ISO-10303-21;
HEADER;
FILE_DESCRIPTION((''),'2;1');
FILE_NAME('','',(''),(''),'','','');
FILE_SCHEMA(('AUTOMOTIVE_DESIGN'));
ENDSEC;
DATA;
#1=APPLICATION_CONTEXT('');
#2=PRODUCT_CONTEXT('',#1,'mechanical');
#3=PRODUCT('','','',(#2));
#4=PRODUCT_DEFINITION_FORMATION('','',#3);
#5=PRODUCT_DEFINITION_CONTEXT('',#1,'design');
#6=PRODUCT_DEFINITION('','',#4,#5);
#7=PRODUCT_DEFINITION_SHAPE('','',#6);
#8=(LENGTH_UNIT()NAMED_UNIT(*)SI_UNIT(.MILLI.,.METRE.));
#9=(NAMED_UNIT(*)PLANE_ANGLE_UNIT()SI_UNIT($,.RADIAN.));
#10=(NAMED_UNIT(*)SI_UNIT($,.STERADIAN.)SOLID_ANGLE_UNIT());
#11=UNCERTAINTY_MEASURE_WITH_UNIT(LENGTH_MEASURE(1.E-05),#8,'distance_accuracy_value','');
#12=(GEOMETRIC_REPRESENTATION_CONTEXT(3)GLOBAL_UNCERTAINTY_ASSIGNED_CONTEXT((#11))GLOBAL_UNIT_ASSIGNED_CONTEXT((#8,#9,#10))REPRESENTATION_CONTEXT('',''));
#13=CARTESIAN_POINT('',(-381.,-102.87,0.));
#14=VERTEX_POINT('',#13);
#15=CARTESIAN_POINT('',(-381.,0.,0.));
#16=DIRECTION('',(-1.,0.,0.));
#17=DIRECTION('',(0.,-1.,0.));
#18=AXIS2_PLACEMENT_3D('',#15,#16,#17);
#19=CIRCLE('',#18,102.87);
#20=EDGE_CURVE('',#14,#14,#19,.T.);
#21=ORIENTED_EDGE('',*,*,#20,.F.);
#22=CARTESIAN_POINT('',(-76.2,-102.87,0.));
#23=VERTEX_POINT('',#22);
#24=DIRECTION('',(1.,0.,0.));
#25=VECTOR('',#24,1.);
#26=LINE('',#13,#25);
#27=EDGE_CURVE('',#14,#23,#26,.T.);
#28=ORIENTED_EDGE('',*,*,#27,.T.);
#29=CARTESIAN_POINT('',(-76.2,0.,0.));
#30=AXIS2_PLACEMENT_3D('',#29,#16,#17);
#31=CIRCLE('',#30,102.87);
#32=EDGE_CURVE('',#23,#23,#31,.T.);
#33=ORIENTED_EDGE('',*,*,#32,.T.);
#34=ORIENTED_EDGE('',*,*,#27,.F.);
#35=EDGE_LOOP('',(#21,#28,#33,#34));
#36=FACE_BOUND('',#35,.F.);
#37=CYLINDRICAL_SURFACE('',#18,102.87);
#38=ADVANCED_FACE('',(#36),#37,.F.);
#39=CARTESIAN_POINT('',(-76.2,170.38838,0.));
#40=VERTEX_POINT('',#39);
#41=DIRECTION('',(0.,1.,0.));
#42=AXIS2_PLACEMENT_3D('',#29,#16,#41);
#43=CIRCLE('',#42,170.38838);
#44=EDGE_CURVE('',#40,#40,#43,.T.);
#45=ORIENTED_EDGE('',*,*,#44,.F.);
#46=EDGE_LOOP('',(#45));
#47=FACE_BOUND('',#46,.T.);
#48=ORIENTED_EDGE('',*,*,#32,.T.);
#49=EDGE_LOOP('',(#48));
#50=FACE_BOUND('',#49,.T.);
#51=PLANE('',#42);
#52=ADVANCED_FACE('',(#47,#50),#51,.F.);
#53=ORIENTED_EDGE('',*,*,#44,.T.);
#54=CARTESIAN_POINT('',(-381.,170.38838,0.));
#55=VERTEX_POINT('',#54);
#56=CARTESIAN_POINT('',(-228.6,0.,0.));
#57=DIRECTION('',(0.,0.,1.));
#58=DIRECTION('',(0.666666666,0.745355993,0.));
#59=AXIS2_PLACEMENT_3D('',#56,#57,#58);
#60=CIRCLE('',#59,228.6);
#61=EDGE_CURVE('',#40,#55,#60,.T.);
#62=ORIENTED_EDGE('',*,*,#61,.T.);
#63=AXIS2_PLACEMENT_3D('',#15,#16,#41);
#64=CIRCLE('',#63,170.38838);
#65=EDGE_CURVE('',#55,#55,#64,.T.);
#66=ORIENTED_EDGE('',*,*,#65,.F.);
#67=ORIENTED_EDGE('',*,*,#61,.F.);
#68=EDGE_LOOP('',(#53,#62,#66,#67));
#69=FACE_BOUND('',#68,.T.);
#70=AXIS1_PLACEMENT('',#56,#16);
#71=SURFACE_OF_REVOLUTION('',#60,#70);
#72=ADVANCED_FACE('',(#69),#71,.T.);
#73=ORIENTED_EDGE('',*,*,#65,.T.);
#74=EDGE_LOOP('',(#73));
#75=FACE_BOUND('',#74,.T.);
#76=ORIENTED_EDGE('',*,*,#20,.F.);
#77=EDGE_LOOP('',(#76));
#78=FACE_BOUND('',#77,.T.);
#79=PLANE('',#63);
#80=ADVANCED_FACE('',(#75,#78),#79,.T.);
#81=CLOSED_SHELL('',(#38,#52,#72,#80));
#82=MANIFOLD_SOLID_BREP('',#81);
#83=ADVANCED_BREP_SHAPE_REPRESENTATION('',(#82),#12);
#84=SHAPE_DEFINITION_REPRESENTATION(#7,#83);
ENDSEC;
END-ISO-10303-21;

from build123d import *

# Parameters (mm, degrees)
F2_R     = 102.87
F3_DEPTH = 304.801


with BuildPart() as f1:
    # F0 (on Top) → F1 (revolve)
    with BuildSketch(Plane.XY):
        with BuildLine():
            Line((-381, 0), (-76.2, 0))
            Line((-76.2, 0), (-76.2, 170.38838))
            ThreePointArc((-76.2, 170.38838), (-228.6, 228.6), (-381, 170.38838))
            Line((-381, 170.38838), (-381, 0))
        make_face()
    revolve(axis=Axis((-228.6, 0, 0), (-1, 0, 0)))

    # F2 (on face) → F3 (cut, through all)
    with BuildSketch(Plane(origin=(-381, 0, 0), x_dir=(0, -1, 0), z_dir=(-1, 0, 0))):
        Circle(F2_R)
    extrude(amount=-F3_DEPTH, mode=Mode.SUBTRACT)


solid = f1.part
